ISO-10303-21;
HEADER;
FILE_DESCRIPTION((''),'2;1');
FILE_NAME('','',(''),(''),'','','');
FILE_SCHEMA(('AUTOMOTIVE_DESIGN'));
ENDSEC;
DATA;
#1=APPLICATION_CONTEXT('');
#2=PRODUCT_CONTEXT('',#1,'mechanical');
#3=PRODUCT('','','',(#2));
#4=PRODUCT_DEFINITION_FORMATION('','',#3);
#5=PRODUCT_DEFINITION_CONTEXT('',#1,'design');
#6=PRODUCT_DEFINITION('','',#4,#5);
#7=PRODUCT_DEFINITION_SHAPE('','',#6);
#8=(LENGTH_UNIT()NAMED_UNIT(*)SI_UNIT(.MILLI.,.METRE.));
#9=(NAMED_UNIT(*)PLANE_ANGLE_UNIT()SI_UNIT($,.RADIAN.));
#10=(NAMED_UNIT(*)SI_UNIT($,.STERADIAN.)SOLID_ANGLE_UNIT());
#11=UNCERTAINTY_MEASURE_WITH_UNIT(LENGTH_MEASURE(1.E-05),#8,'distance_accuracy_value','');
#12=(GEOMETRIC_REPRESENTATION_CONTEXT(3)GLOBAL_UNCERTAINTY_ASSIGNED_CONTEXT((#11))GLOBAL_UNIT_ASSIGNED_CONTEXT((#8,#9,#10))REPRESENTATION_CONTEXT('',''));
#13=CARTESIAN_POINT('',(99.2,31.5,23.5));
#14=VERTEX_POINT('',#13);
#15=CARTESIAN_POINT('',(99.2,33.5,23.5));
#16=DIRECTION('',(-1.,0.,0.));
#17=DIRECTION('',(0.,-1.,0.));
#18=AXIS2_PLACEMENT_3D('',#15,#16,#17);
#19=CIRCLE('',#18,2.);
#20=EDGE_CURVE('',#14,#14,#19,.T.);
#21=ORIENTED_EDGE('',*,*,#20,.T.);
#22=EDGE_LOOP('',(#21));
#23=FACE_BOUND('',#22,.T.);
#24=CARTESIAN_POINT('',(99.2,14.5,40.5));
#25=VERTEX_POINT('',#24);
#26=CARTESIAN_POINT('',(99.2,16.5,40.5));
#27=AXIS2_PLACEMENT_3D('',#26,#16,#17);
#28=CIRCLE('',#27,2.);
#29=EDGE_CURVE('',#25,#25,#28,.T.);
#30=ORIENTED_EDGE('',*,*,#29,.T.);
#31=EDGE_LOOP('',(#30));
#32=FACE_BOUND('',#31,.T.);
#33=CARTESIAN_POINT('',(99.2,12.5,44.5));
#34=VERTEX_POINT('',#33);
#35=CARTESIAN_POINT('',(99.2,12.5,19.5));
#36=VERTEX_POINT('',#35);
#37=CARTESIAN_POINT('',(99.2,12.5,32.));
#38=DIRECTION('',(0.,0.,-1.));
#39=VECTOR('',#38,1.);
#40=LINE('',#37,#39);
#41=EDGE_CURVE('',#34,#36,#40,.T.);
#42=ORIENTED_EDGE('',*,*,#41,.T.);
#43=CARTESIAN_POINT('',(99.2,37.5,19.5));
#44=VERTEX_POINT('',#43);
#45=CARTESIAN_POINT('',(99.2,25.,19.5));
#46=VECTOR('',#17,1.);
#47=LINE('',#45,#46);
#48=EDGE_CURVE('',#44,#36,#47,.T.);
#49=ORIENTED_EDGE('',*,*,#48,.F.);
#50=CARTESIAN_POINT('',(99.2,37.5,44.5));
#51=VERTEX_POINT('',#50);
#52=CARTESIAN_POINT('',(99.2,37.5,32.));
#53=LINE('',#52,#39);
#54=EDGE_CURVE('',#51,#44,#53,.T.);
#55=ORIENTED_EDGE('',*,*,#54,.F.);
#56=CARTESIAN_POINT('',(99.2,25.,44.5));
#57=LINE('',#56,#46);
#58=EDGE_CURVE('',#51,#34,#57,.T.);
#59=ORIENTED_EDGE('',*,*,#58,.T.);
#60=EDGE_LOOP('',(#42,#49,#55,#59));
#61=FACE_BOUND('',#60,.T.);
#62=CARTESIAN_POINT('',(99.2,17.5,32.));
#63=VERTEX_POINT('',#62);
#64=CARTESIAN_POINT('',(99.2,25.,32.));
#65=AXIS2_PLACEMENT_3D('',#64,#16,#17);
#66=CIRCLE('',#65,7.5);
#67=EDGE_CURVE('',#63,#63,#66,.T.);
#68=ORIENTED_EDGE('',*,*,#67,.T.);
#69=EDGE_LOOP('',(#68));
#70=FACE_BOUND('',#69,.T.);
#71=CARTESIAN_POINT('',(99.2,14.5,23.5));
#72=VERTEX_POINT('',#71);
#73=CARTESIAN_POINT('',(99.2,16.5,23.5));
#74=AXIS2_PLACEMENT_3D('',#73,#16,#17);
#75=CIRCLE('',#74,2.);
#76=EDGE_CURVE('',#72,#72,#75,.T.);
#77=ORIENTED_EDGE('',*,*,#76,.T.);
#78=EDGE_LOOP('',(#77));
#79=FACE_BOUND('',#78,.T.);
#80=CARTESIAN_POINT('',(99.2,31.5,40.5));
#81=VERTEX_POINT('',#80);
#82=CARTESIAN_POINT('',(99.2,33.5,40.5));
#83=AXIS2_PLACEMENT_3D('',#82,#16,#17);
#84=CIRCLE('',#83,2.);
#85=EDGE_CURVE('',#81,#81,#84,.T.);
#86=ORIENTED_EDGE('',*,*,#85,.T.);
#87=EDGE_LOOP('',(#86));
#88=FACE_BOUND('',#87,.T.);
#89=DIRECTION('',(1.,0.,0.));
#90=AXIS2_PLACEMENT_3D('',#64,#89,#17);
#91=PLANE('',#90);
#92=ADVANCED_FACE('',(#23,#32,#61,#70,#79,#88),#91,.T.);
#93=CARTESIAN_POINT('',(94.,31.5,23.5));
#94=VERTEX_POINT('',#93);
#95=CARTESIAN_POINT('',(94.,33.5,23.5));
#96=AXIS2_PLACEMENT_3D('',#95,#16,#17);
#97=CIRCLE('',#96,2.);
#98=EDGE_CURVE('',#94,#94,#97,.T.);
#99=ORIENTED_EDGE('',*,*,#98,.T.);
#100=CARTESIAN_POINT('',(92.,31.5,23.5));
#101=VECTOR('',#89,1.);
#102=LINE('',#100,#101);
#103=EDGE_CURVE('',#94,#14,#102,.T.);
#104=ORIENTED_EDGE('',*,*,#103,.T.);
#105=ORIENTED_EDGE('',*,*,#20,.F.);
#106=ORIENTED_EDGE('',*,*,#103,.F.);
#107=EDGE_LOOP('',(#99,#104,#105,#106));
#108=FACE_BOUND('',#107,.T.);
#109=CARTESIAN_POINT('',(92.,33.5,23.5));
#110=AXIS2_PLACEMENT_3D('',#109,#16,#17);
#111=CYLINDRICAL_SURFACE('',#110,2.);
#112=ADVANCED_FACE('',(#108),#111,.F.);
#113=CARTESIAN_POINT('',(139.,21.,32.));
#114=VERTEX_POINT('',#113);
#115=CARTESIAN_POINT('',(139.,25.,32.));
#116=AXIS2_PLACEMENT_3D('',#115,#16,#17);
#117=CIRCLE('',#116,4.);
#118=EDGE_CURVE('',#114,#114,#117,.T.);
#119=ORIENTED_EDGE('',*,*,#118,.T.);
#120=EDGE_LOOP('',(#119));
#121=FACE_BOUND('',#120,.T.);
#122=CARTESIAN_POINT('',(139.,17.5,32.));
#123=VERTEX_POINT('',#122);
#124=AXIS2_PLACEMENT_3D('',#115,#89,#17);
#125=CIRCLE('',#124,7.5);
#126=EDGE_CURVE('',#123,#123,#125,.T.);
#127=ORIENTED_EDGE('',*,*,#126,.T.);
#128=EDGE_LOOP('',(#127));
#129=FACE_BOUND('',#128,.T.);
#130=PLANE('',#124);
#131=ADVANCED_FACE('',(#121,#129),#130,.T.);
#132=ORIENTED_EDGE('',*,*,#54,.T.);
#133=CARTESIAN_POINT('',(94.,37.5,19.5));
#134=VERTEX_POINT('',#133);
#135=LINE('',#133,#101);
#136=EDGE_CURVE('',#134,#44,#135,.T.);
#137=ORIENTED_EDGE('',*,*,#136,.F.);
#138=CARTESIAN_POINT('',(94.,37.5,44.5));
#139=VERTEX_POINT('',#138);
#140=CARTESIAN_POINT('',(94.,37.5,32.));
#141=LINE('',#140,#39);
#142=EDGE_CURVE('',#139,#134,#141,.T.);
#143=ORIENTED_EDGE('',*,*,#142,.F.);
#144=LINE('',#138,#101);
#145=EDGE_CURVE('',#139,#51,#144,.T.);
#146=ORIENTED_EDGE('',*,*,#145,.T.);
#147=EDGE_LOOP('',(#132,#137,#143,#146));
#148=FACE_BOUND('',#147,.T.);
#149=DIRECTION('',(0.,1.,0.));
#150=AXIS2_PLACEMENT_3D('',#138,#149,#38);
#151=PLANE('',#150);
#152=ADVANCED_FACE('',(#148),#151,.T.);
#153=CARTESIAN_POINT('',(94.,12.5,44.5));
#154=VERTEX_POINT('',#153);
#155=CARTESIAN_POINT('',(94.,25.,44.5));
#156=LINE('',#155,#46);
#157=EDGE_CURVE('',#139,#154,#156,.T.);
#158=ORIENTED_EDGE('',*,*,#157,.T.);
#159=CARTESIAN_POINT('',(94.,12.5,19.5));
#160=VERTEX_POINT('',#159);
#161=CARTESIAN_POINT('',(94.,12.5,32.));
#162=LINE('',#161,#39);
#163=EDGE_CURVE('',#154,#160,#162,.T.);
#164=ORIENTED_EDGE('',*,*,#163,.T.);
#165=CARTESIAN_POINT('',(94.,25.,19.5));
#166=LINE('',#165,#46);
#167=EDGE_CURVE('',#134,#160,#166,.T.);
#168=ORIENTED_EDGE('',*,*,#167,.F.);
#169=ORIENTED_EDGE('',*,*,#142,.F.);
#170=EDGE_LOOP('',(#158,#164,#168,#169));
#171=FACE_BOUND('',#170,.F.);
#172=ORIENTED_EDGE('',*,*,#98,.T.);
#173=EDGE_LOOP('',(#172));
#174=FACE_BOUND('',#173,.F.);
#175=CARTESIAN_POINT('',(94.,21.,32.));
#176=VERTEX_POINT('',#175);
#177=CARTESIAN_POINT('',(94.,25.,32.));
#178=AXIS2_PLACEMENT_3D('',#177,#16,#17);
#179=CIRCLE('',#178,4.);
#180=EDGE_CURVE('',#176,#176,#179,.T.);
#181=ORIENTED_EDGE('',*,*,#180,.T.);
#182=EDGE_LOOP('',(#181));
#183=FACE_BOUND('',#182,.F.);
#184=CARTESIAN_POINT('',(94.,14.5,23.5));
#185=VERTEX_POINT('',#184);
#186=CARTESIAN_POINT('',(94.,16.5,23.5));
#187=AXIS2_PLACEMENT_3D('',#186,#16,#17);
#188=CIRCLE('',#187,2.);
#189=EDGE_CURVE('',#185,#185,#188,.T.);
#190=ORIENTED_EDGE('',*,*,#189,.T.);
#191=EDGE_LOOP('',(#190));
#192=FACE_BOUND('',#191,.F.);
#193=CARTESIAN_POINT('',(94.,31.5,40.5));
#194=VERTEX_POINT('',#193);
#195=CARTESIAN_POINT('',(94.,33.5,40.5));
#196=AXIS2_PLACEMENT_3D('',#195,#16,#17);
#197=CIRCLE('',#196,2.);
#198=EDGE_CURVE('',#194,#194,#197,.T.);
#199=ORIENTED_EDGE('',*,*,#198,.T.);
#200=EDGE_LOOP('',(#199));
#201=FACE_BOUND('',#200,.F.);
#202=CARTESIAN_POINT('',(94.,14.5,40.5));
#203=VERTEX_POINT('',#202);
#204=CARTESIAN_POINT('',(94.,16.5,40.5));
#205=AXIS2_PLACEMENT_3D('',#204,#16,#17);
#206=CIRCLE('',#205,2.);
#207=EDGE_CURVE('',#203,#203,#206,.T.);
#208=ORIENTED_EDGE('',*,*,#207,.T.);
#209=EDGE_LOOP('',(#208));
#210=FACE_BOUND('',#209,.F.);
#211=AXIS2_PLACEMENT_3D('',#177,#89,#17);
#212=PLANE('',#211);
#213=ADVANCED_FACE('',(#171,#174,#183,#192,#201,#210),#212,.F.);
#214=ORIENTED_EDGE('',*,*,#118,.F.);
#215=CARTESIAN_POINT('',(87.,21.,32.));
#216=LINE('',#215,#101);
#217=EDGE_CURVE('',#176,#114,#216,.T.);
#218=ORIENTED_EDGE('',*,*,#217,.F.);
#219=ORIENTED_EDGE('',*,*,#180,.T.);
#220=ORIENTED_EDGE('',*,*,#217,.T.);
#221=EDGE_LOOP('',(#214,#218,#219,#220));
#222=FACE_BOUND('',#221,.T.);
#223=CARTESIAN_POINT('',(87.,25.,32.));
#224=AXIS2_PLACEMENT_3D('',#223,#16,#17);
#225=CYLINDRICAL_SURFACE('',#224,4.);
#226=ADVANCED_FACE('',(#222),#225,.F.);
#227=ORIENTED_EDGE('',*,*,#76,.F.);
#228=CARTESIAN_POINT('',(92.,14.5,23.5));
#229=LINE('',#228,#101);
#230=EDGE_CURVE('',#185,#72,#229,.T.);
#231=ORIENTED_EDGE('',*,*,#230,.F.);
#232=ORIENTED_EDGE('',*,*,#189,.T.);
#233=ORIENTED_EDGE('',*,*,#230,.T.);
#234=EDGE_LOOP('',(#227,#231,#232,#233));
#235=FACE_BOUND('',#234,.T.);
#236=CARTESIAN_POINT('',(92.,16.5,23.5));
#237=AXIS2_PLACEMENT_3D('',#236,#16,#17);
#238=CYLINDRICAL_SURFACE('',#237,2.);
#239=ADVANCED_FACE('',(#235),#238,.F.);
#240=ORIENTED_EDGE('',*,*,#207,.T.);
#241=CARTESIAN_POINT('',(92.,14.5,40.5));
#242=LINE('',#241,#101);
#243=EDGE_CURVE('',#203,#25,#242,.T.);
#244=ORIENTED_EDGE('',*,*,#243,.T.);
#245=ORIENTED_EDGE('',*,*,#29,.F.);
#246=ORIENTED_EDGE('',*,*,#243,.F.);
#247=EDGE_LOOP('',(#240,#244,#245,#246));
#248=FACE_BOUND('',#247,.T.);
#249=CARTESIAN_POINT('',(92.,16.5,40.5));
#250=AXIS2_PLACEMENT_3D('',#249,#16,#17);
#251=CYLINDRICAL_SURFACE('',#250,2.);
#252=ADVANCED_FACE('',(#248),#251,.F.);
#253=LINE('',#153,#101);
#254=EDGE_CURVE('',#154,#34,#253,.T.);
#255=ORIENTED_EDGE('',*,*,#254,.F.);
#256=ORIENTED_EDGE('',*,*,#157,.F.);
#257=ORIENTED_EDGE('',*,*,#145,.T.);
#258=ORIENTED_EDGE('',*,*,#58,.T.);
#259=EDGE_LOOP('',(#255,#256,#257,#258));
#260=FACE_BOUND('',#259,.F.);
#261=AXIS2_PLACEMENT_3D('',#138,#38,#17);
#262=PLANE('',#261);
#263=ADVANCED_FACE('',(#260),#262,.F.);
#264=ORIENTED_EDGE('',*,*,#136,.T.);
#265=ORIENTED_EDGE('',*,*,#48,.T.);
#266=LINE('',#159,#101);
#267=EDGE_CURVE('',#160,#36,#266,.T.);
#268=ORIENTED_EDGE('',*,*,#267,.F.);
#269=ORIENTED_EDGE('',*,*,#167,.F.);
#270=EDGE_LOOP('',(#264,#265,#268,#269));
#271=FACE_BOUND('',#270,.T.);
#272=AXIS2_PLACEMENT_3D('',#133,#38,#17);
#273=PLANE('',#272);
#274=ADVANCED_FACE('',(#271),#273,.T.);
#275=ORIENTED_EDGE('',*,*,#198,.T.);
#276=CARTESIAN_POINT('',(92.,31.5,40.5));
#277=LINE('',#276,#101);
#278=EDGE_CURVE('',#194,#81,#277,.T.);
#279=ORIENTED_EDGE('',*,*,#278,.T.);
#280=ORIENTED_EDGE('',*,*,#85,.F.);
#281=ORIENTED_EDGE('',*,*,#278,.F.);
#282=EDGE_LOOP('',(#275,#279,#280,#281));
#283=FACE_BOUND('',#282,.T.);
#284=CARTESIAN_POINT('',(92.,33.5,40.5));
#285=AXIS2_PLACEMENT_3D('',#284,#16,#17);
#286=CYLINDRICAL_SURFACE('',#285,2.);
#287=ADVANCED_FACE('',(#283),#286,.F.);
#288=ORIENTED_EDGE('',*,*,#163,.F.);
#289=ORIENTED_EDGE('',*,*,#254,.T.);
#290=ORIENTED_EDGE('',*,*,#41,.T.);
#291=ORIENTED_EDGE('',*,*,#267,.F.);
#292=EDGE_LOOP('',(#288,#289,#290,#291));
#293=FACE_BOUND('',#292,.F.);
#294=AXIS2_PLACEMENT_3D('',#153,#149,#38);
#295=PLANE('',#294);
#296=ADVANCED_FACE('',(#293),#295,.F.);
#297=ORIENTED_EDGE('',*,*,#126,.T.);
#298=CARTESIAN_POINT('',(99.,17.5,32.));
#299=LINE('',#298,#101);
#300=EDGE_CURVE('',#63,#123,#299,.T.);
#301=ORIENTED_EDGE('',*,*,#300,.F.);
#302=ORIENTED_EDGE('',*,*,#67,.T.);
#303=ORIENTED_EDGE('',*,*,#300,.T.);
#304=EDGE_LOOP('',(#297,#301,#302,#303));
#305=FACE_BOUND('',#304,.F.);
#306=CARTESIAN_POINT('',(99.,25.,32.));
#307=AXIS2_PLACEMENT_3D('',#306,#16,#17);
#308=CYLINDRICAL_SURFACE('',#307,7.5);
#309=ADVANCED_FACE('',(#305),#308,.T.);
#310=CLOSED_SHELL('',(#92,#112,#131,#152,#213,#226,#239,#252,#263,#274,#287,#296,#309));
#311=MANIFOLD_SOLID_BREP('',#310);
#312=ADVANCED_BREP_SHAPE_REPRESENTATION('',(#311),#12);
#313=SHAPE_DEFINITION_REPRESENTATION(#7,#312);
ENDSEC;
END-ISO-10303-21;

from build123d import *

# Parameters (mm, degrees)
CYLINDER026_R          = 2
CYLINDER026_DEPTH      = 10
CYLINDER027_R          = 2
CYLINDER027_DEPTH      = 10
CYLINDER038_R          = 2
CYLINDER038_DEPTH      = 10
CYLINDER037_R          = 2
CYLINDER037_DEPTH      = 10
CYLINDER036_R          = 4
CYLINDER036_DEPTH      = 60
CYLINDER039_R          = 7.5
CYLINDER039_DEPTH      = 40
BOX007_W               = 25
BOX007_H               = 25
BOX007_DEPTH           = 5.2
CUT033_ROLL_ANGLE      = -90
CUT033_PLACEMENT_ANGLE = -90


with BuildPart() as cylinder026:
    # Cylinder026 → Cylinder026 (new body)
    with BuildSketch(Plane(origin=(21, 21, -2), x_dir=(1, 0, 0), z_dir=(0, 0, 1))):
        Circle(CYLINDER026_R)
    extrude(amount=CYLINDER026_DEPTH)


with BuildPart() as cylinder027:
    # Cylinder027 → Cylinder027 (new body)
    with BuildSketch(Plane(origin=(21, 4, -2), x_dir=(1, 0, 0), z_dir=(0, 0, 1))):
        Circle(CYLINDER027_R)
    extrude(amount=CYLINDER027_DEPTH)


with BuildPart() as cylinder038:
    # Cylinder038 → Cylinder038 (new body)
    with BuildSketch(Plane(origin=(4, 21, -2), x_dir=(1, 0, 0), z_dir=(0, 0, 1))):
        Circle(CYLINDER038_R)
    extrude(amount=CYLINDER038_DEPTH)


with BuildPart() as cylinder037:
    # Cylinder037 → Cylinder037 (new body)
    with BuildSketch(Plane(origin=(4, 4, -2), x_dir=(1, 0, 0), z_dir=(0, 0, 1))):
        Circle(CYLINDER037_R)
    extrude(amount=CYLINDER037_DEPTH)


with BuildPart() as cylinder036:
    # Cylinder036 → Cylinder036 (new body)
    with BuildSketch(Plane(origin=(12.5, 12.5, -7), x_dir=(1, 0, 0), z_dir=(0, 0, 1))):
        Circle(CYLINDER036_R)
    extrude(amount=CYLINDER036_DEPTH)


with BuildPart() as cylinder039:
    # Cylinder039 → Cylinder039 (new body)
    with BuildSketch(Plane(origin=(12.5, 12.5, 5), x_dir=(1, 0, 0), z_dir=(0, 0, 1))):
        Circle(CYLINDER039_R)
    extrude(amount=CYLINDER039_DEPTH)


with BuildPart() as cut033:
    # Box007 → Box007 (new body)
    with BuildSketch(Plane.XY):
        with Locations((12.5, 12.5)):
            Rectangle(BOX007_W, BOX007_H)
    extrude(amount=BOX007_DEPTH)

    # Fusion008: union Cylinder039
    add(cylinder039.part)

    # Cut031: cut Cylinder036
    add(cylinder036.part, mode=Mode.SUBTRACT)

    # Cut032: cut Cylinder037
    add(cylinder037.part, mode=Mode.SUBTRACT)

    # Cut029: cut Cylinder038
    add(cylinder038.part, mode=Mode.SUBTRACT)

    # Cut030: cut Cylinder027
    add(cylinder027.part, mode=Mode.SUBTRACT)

    # Cut033: cut Cylinder026
    add(cylinder026.part, mode=Mode.SUBTRACT)


with BuildPart() as cut033_1:
    # Cut033 roll: moved
    add(cut033.part.rotate(Axis((0, 0, 0), (1, 0, 0)), CUT033_ROLL_ANGLE))


with BuildPart() as cut033_2:
    # Cut033 placement: moved
    add(cut033_1.part.moved(Location((94, 37.5, 44.5))).rotate(Axis((94, 37.5, 44.5), (0, 0, 1)), CUT033_PLACEMENT_ANGLE))


solid = cut033_2.part
